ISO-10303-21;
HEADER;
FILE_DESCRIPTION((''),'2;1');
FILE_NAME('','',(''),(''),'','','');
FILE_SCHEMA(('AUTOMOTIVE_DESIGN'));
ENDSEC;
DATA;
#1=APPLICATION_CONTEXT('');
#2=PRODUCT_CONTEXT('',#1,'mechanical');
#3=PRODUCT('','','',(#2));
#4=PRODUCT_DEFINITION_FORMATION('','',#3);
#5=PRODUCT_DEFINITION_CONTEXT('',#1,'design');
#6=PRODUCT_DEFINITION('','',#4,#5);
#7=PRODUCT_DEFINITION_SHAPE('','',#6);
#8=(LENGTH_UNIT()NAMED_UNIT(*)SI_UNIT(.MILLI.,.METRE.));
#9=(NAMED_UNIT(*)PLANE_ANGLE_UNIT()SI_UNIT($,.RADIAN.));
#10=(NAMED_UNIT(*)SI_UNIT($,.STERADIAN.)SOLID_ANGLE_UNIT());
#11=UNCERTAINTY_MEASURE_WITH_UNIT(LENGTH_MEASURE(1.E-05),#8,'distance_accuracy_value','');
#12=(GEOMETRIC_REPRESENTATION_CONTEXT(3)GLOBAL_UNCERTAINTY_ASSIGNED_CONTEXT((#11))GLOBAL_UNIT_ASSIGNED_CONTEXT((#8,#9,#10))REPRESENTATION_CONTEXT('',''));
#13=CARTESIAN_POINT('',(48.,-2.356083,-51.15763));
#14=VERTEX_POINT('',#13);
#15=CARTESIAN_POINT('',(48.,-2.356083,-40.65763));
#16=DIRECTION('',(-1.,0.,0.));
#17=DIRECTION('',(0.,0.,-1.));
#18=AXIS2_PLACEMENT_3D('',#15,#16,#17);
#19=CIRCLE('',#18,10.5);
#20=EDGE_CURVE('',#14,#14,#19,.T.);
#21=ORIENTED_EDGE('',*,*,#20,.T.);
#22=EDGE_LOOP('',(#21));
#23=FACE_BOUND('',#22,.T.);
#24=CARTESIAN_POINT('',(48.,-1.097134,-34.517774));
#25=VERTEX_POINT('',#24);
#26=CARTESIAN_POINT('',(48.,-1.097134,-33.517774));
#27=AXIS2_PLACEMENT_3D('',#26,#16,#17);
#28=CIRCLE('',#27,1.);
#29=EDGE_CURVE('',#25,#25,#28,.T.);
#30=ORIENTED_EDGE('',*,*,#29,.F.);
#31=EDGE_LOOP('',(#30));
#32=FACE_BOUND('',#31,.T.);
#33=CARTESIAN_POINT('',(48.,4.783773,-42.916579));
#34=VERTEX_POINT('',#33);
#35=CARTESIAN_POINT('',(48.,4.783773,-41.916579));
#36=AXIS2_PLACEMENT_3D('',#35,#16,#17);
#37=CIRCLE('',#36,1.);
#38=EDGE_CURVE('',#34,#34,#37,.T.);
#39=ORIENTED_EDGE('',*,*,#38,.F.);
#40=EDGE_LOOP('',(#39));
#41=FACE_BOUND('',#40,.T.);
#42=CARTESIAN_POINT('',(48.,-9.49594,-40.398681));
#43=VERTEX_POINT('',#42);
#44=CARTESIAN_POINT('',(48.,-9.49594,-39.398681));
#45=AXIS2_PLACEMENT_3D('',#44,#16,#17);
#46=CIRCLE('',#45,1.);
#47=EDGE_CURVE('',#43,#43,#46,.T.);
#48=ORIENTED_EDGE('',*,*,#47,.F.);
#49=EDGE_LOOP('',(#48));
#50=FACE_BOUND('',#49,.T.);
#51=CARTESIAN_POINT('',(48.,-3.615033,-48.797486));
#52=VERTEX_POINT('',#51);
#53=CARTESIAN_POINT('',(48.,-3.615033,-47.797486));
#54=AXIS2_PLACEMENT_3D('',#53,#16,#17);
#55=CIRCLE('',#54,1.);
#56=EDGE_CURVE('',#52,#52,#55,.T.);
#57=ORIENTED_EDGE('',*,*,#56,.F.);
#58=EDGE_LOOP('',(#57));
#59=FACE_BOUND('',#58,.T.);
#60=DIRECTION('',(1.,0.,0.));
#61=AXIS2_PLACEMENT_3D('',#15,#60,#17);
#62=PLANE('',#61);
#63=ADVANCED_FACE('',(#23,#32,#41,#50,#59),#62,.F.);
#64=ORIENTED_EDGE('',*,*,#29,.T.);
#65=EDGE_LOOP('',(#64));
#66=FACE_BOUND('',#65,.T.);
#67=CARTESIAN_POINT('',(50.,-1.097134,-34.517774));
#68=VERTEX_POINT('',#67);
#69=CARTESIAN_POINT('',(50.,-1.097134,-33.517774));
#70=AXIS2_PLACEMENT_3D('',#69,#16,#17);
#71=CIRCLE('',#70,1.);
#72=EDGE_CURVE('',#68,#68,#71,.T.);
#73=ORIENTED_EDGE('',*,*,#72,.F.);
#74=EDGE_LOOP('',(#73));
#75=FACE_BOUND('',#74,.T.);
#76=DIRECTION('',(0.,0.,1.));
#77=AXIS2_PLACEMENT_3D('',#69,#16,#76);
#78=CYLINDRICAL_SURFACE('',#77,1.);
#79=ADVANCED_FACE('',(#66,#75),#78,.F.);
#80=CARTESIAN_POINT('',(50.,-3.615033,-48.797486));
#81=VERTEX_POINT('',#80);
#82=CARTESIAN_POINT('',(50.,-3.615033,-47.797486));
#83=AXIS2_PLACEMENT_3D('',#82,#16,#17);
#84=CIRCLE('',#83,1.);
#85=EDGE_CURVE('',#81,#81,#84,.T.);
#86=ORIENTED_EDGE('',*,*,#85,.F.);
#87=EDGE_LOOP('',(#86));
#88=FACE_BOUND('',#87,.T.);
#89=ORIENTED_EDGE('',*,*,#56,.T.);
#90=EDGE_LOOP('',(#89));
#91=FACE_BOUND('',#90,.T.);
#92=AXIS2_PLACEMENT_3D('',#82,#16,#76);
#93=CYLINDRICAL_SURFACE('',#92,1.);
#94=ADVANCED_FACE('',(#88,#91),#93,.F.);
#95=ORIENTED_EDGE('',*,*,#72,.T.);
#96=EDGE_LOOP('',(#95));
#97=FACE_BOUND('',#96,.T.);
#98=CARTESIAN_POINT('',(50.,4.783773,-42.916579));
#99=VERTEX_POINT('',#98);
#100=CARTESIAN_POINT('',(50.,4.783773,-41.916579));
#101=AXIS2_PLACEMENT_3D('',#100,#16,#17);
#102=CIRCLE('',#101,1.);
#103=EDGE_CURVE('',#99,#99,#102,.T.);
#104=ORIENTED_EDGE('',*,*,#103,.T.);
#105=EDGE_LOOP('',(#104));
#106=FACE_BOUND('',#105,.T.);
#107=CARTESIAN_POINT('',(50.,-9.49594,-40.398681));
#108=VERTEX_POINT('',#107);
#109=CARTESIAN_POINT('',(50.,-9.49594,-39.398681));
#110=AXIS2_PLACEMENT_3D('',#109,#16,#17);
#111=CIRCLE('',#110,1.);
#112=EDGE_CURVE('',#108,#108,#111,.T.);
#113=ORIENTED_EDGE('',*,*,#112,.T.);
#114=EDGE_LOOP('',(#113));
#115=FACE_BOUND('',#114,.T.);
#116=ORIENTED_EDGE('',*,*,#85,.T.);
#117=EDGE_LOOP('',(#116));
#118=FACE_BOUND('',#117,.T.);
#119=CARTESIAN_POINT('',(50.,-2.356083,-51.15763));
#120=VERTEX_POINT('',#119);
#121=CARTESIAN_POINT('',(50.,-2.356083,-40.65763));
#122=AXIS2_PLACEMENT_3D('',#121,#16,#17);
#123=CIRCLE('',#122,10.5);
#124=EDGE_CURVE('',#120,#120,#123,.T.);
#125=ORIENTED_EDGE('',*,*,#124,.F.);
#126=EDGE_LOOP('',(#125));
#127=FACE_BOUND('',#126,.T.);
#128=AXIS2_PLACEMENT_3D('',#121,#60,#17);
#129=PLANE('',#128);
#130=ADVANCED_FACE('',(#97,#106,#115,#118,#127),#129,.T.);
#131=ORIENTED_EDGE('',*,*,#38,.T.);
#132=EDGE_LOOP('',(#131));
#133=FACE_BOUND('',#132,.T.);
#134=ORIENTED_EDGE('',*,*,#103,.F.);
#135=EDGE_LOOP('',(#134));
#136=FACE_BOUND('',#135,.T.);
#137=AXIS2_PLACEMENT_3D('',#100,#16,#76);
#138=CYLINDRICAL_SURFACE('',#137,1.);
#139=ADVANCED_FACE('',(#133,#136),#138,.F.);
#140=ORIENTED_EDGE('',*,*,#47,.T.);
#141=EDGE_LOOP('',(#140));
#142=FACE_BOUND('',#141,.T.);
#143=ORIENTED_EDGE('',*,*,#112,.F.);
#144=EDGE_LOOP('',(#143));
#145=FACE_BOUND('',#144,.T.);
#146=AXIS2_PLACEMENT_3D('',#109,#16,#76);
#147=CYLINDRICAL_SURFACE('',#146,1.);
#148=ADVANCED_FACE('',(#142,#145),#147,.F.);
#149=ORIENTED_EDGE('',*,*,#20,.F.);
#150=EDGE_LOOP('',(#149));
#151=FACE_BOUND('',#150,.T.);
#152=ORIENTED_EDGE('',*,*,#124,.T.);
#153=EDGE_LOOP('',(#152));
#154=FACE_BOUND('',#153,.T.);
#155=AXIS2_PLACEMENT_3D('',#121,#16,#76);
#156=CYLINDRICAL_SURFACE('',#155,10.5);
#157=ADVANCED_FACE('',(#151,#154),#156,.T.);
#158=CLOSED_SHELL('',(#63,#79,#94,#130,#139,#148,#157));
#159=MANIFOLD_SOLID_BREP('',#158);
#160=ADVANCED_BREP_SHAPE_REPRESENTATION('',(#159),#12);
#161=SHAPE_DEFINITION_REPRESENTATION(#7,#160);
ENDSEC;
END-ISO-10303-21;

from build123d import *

# Parameters (mm, degrees)
SKETCH1_R           = 10.5
SKETCH1_R_2         = 1
BOSS_EXTRUDE1_DEPTH = 2


with BuildPart() as part:
    # Sketch1 → Boss-Extrude1 (new body)
    with BuildSketch(Plane(origin=(48, 0, 0), x_dir=(0, -1, 0), z_dir=(-1, 0, 0))):
        with Locations(Location((2.356083365, -40.657629982, 0), (0, 0, 270))):
            Circle(SKETCH1_R)
        with Locations(Location((-4.783772844, -41.91657927, 0), (0, 0, 270))):
            Circle(SKETCH1_R_2, mode=Mode.SUBTRACT)
        with Locations(Location((9.495939574, -39.398680694, 0), (0, 0, 270))):
            Circle(SKETCH1_R_2, mode=Mode.SUBTRACT)
        with Locations(Location((1.097134077, -33.517773772, 0), (0, 0, 270))):
            Circle(SKETCH1_R_2, mode=Mode.SUBTRACT)
        with Locations(Location((3.615032653, -47.797486191, 0), (0, 0, 270))):
            Circle(SKETCH1_R_2, mode=Mode.SUBTRACT)
    extrude(amount=-BOSS_EXTRUDE1_DEPTH)


solid = part.part
